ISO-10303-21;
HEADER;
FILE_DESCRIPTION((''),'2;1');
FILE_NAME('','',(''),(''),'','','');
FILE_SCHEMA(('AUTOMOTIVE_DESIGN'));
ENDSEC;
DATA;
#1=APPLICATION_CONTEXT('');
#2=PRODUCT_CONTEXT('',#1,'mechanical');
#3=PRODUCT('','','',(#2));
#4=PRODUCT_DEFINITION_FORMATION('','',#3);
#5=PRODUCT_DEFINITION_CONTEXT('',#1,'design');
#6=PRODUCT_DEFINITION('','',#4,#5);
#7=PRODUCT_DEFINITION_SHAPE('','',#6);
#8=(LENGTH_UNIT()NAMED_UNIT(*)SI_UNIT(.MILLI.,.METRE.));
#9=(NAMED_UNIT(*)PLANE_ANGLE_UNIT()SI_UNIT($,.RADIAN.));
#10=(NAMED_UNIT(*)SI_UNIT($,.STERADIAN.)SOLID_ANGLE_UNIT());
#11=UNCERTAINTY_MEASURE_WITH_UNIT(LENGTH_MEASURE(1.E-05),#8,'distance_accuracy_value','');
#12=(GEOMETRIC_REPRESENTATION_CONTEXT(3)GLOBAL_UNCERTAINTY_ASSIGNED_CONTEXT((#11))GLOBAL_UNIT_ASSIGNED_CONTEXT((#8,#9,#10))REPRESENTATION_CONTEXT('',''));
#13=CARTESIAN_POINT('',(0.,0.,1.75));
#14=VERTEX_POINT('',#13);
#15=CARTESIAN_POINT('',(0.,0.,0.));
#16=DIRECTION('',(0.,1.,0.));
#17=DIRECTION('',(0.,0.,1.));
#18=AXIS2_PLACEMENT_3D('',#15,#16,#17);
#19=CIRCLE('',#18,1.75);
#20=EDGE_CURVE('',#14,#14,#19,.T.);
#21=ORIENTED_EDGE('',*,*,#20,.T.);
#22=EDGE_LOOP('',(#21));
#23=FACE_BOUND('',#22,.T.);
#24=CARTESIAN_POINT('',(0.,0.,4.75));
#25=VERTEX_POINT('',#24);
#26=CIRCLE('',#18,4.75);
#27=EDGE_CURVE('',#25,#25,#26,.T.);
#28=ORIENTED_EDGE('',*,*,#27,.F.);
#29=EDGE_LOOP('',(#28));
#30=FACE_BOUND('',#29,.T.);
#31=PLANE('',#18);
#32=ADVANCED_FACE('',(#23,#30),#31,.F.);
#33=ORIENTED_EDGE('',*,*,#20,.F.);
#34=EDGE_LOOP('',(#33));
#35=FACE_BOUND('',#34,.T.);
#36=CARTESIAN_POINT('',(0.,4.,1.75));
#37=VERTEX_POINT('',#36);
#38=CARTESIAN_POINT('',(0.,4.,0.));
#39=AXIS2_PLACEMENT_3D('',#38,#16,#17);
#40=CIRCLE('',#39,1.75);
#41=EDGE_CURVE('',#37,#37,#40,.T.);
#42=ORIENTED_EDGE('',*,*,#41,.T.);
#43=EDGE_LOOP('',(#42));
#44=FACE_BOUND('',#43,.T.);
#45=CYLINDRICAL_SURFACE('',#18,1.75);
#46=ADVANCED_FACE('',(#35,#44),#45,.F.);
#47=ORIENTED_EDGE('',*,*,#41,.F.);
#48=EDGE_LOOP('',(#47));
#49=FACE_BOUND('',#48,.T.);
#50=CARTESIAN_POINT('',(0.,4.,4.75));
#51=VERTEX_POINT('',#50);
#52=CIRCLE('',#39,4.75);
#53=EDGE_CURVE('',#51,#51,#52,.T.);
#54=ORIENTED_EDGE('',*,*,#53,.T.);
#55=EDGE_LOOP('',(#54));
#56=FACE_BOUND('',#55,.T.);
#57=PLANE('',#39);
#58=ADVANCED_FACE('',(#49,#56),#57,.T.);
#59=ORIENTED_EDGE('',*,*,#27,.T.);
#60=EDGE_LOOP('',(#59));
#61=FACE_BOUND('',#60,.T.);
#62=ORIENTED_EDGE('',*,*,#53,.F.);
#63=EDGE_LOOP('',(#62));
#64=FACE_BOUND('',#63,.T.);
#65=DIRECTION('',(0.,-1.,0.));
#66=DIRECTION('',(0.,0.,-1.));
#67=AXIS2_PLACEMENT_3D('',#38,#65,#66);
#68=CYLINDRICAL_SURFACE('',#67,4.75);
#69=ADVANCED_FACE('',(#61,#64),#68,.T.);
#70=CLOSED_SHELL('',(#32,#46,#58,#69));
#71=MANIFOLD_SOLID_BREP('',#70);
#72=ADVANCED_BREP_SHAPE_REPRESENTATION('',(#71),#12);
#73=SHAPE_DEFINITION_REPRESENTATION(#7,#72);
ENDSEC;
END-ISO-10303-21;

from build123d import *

# Parameters (mm, degrees)
SKETCH1_R           = 4.75
BOSS_EXTRUDE1_DEPTH = 4
SKETCH2_R           = 1.75
CUT_EXTRUDE1_DEPTH  = 8.818247886


with BuildPart() as part:
    # Sketch1 → Boss-Extrude1 (new body)
    with BuildSketch(Plane(origin=(0, 0, 0), x_dir=(1, 0, 0), z_dir=(0, 1, 0))):
        with Locations(Location((0, 0, 0), (0, 0, 270))):
            Circle(SKETCH1_R)
    extrude(amount=BOSS_EXTRUDE1_DEPTH)

    # Sketch2 → Cut-Extrude1 (cut, through all)
    with BuildSketch(Plane(origin=(0, 4, 0), x_dir=(1, 0, 0), z_dir=(0, 1, 0))):
        with Locations(Location((0, 0, 0), (0, 0, 270))):
            Circle(SKETCH2_R)
    extrude(amount=-CUT_EXTRUDE1_DEPTH, mode=Mode.SUBTRACT)


solid = part.part
